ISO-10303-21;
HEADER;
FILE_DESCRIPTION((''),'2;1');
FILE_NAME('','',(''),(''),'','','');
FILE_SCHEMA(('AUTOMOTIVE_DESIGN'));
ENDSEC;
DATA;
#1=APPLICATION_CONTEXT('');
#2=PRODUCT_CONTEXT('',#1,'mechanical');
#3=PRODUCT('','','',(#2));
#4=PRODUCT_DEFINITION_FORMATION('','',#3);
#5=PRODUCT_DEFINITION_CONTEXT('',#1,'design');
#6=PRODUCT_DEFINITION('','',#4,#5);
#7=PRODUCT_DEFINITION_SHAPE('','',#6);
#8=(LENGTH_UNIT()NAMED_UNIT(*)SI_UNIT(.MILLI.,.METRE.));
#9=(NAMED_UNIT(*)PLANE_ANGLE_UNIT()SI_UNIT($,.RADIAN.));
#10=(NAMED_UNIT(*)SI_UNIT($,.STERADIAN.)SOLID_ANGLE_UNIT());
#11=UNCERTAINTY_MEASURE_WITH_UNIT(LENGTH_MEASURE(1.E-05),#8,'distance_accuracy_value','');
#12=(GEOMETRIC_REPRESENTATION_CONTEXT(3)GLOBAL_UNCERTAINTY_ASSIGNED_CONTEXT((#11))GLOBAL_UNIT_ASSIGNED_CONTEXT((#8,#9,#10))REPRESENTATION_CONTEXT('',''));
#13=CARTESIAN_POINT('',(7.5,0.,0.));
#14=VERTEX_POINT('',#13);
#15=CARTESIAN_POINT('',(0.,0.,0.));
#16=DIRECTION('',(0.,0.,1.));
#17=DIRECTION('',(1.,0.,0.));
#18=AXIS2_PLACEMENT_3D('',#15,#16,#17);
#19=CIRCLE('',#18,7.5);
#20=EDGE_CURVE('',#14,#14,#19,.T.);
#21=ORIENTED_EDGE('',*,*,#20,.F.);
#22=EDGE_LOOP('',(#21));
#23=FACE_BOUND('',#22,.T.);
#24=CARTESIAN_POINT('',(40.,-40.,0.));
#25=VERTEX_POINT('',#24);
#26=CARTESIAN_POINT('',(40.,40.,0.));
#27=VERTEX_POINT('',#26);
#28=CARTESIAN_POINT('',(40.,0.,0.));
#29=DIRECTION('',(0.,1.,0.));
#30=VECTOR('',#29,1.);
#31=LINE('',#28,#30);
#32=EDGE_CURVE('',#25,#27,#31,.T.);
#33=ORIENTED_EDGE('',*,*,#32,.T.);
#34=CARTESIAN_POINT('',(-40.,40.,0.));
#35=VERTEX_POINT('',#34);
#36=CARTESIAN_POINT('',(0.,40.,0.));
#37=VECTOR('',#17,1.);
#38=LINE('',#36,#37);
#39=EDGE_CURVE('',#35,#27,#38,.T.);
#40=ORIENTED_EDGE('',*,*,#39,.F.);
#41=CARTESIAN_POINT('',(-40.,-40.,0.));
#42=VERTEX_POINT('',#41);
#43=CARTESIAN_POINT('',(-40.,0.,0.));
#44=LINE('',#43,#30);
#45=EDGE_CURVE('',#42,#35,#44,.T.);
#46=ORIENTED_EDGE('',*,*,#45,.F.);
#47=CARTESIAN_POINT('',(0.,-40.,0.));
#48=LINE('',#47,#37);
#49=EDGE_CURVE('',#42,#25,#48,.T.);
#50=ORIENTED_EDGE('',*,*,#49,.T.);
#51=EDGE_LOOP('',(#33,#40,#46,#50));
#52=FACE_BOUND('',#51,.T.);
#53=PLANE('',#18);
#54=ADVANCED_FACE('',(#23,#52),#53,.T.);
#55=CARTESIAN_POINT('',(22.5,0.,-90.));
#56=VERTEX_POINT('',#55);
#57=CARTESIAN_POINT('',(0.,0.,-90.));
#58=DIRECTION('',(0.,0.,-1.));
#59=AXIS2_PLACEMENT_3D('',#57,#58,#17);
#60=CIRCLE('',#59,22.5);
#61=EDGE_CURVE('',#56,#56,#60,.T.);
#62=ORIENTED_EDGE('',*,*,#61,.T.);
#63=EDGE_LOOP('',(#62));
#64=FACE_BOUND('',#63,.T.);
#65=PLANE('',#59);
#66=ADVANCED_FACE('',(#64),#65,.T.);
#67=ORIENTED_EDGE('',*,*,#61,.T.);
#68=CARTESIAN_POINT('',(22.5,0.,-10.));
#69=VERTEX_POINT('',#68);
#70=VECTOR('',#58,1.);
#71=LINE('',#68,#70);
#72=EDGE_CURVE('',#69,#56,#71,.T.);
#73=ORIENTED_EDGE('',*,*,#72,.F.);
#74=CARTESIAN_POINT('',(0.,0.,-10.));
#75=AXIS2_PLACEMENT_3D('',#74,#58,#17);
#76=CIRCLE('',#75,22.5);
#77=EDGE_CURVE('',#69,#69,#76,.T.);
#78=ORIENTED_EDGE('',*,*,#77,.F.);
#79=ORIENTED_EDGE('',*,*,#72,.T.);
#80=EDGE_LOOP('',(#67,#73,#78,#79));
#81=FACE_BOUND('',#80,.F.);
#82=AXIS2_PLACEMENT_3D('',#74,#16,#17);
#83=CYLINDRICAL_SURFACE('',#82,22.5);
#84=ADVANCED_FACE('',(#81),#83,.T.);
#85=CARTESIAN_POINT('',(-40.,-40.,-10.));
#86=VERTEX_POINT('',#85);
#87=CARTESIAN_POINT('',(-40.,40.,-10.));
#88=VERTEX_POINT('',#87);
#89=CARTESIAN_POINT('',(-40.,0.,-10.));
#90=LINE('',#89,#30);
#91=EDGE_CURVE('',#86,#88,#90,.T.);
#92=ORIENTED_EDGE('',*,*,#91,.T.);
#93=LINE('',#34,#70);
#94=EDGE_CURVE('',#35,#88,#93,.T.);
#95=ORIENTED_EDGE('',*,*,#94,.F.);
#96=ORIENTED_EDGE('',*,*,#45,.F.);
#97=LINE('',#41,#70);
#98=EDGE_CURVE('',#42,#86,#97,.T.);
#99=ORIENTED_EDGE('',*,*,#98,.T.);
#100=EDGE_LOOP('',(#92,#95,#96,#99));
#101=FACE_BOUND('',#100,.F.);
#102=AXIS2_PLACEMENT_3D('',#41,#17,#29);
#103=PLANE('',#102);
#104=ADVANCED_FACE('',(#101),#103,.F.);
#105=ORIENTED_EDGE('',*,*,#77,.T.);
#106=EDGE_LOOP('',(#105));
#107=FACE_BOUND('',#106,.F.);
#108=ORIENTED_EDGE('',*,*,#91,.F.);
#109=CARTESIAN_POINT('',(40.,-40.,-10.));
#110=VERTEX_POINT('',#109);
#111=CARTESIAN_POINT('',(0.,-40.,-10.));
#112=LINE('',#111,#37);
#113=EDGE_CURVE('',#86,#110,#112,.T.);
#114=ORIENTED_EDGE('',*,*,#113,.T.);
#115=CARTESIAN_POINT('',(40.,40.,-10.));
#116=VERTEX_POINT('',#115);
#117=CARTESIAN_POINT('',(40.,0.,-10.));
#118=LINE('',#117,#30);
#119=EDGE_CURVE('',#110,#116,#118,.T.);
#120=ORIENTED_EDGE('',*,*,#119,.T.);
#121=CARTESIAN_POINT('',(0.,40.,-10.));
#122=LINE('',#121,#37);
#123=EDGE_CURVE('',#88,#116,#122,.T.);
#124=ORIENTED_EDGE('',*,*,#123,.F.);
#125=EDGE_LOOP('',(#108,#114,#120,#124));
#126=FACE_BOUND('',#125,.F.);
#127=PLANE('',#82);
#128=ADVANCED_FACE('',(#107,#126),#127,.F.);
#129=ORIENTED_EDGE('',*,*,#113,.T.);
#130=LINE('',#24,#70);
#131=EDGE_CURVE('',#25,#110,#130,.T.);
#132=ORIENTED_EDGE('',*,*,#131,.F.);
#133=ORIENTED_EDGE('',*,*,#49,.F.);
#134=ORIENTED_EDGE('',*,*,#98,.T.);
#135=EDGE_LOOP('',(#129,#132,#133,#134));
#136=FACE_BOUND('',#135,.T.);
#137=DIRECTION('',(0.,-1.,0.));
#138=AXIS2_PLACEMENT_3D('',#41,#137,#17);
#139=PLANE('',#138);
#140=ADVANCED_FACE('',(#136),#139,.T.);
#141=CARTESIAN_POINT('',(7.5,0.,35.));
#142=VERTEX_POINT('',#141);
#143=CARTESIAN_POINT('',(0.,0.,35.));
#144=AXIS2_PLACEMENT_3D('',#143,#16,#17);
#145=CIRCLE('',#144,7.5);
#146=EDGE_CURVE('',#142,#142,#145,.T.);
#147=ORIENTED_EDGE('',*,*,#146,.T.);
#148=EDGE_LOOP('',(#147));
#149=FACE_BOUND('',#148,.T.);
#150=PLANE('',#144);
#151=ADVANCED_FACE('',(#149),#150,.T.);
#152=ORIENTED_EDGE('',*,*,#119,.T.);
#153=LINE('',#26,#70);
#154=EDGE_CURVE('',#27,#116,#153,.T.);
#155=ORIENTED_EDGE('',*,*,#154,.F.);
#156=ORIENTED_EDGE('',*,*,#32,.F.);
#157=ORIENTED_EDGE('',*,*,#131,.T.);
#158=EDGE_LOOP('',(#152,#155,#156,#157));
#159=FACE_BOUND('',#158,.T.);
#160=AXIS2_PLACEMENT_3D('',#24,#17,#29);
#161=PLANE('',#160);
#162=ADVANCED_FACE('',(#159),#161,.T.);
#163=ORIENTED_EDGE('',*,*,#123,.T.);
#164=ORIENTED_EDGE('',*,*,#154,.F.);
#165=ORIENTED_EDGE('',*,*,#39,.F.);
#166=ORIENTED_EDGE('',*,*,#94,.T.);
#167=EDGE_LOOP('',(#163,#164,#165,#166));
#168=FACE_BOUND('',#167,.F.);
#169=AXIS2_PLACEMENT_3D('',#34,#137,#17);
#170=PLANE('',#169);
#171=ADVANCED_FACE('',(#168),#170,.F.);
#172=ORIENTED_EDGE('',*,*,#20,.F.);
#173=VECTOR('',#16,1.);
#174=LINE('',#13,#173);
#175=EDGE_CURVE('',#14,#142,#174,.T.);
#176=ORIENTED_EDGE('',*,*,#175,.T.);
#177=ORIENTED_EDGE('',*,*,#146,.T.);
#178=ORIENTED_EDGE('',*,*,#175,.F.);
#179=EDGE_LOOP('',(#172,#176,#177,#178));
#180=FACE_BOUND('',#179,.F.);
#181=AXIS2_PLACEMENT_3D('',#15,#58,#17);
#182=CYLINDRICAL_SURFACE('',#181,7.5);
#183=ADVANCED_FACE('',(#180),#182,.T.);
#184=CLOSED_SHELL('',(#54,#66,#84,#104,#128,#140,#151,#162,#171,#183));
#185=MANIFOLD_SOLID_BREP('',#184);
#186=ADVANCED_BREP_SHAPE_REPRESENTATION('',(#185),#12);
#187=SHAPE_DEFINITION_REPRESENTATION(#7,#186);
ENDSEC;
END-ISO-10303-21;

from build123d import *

# Parameters (mm, degrees)
F0_W     = 80
F0_H     = 80
F1_DEPTH = 10
F2_R     = 22.5
F3_DEPTH = 80
F4_R     = 7.5
F5_DEPTH = 35


with BuildPart() as f1:
    # F0 (on Top) → F1 (new body)
    with BuildSketch(Plane.XY):
        Rectangle(F0_W, F0_H)
    extrude(amount=-F1_DEPTH)

    # F2 (on face) → F3 (join)
    with BuildSketch(Plane(origin=(0, 0, -10), x_dir=(1, 0, 0), z_dir=(0, 0, -1))):
        Circle(F2_R)
    extrude(amount=F3_DEPTH)

    # F4 (on face) → F5 (join)
    with BuildSketch(Plane.XY):
        Circle(F4_R)
    extrude(amount=F5_DEPTH)


solid = f1.part
